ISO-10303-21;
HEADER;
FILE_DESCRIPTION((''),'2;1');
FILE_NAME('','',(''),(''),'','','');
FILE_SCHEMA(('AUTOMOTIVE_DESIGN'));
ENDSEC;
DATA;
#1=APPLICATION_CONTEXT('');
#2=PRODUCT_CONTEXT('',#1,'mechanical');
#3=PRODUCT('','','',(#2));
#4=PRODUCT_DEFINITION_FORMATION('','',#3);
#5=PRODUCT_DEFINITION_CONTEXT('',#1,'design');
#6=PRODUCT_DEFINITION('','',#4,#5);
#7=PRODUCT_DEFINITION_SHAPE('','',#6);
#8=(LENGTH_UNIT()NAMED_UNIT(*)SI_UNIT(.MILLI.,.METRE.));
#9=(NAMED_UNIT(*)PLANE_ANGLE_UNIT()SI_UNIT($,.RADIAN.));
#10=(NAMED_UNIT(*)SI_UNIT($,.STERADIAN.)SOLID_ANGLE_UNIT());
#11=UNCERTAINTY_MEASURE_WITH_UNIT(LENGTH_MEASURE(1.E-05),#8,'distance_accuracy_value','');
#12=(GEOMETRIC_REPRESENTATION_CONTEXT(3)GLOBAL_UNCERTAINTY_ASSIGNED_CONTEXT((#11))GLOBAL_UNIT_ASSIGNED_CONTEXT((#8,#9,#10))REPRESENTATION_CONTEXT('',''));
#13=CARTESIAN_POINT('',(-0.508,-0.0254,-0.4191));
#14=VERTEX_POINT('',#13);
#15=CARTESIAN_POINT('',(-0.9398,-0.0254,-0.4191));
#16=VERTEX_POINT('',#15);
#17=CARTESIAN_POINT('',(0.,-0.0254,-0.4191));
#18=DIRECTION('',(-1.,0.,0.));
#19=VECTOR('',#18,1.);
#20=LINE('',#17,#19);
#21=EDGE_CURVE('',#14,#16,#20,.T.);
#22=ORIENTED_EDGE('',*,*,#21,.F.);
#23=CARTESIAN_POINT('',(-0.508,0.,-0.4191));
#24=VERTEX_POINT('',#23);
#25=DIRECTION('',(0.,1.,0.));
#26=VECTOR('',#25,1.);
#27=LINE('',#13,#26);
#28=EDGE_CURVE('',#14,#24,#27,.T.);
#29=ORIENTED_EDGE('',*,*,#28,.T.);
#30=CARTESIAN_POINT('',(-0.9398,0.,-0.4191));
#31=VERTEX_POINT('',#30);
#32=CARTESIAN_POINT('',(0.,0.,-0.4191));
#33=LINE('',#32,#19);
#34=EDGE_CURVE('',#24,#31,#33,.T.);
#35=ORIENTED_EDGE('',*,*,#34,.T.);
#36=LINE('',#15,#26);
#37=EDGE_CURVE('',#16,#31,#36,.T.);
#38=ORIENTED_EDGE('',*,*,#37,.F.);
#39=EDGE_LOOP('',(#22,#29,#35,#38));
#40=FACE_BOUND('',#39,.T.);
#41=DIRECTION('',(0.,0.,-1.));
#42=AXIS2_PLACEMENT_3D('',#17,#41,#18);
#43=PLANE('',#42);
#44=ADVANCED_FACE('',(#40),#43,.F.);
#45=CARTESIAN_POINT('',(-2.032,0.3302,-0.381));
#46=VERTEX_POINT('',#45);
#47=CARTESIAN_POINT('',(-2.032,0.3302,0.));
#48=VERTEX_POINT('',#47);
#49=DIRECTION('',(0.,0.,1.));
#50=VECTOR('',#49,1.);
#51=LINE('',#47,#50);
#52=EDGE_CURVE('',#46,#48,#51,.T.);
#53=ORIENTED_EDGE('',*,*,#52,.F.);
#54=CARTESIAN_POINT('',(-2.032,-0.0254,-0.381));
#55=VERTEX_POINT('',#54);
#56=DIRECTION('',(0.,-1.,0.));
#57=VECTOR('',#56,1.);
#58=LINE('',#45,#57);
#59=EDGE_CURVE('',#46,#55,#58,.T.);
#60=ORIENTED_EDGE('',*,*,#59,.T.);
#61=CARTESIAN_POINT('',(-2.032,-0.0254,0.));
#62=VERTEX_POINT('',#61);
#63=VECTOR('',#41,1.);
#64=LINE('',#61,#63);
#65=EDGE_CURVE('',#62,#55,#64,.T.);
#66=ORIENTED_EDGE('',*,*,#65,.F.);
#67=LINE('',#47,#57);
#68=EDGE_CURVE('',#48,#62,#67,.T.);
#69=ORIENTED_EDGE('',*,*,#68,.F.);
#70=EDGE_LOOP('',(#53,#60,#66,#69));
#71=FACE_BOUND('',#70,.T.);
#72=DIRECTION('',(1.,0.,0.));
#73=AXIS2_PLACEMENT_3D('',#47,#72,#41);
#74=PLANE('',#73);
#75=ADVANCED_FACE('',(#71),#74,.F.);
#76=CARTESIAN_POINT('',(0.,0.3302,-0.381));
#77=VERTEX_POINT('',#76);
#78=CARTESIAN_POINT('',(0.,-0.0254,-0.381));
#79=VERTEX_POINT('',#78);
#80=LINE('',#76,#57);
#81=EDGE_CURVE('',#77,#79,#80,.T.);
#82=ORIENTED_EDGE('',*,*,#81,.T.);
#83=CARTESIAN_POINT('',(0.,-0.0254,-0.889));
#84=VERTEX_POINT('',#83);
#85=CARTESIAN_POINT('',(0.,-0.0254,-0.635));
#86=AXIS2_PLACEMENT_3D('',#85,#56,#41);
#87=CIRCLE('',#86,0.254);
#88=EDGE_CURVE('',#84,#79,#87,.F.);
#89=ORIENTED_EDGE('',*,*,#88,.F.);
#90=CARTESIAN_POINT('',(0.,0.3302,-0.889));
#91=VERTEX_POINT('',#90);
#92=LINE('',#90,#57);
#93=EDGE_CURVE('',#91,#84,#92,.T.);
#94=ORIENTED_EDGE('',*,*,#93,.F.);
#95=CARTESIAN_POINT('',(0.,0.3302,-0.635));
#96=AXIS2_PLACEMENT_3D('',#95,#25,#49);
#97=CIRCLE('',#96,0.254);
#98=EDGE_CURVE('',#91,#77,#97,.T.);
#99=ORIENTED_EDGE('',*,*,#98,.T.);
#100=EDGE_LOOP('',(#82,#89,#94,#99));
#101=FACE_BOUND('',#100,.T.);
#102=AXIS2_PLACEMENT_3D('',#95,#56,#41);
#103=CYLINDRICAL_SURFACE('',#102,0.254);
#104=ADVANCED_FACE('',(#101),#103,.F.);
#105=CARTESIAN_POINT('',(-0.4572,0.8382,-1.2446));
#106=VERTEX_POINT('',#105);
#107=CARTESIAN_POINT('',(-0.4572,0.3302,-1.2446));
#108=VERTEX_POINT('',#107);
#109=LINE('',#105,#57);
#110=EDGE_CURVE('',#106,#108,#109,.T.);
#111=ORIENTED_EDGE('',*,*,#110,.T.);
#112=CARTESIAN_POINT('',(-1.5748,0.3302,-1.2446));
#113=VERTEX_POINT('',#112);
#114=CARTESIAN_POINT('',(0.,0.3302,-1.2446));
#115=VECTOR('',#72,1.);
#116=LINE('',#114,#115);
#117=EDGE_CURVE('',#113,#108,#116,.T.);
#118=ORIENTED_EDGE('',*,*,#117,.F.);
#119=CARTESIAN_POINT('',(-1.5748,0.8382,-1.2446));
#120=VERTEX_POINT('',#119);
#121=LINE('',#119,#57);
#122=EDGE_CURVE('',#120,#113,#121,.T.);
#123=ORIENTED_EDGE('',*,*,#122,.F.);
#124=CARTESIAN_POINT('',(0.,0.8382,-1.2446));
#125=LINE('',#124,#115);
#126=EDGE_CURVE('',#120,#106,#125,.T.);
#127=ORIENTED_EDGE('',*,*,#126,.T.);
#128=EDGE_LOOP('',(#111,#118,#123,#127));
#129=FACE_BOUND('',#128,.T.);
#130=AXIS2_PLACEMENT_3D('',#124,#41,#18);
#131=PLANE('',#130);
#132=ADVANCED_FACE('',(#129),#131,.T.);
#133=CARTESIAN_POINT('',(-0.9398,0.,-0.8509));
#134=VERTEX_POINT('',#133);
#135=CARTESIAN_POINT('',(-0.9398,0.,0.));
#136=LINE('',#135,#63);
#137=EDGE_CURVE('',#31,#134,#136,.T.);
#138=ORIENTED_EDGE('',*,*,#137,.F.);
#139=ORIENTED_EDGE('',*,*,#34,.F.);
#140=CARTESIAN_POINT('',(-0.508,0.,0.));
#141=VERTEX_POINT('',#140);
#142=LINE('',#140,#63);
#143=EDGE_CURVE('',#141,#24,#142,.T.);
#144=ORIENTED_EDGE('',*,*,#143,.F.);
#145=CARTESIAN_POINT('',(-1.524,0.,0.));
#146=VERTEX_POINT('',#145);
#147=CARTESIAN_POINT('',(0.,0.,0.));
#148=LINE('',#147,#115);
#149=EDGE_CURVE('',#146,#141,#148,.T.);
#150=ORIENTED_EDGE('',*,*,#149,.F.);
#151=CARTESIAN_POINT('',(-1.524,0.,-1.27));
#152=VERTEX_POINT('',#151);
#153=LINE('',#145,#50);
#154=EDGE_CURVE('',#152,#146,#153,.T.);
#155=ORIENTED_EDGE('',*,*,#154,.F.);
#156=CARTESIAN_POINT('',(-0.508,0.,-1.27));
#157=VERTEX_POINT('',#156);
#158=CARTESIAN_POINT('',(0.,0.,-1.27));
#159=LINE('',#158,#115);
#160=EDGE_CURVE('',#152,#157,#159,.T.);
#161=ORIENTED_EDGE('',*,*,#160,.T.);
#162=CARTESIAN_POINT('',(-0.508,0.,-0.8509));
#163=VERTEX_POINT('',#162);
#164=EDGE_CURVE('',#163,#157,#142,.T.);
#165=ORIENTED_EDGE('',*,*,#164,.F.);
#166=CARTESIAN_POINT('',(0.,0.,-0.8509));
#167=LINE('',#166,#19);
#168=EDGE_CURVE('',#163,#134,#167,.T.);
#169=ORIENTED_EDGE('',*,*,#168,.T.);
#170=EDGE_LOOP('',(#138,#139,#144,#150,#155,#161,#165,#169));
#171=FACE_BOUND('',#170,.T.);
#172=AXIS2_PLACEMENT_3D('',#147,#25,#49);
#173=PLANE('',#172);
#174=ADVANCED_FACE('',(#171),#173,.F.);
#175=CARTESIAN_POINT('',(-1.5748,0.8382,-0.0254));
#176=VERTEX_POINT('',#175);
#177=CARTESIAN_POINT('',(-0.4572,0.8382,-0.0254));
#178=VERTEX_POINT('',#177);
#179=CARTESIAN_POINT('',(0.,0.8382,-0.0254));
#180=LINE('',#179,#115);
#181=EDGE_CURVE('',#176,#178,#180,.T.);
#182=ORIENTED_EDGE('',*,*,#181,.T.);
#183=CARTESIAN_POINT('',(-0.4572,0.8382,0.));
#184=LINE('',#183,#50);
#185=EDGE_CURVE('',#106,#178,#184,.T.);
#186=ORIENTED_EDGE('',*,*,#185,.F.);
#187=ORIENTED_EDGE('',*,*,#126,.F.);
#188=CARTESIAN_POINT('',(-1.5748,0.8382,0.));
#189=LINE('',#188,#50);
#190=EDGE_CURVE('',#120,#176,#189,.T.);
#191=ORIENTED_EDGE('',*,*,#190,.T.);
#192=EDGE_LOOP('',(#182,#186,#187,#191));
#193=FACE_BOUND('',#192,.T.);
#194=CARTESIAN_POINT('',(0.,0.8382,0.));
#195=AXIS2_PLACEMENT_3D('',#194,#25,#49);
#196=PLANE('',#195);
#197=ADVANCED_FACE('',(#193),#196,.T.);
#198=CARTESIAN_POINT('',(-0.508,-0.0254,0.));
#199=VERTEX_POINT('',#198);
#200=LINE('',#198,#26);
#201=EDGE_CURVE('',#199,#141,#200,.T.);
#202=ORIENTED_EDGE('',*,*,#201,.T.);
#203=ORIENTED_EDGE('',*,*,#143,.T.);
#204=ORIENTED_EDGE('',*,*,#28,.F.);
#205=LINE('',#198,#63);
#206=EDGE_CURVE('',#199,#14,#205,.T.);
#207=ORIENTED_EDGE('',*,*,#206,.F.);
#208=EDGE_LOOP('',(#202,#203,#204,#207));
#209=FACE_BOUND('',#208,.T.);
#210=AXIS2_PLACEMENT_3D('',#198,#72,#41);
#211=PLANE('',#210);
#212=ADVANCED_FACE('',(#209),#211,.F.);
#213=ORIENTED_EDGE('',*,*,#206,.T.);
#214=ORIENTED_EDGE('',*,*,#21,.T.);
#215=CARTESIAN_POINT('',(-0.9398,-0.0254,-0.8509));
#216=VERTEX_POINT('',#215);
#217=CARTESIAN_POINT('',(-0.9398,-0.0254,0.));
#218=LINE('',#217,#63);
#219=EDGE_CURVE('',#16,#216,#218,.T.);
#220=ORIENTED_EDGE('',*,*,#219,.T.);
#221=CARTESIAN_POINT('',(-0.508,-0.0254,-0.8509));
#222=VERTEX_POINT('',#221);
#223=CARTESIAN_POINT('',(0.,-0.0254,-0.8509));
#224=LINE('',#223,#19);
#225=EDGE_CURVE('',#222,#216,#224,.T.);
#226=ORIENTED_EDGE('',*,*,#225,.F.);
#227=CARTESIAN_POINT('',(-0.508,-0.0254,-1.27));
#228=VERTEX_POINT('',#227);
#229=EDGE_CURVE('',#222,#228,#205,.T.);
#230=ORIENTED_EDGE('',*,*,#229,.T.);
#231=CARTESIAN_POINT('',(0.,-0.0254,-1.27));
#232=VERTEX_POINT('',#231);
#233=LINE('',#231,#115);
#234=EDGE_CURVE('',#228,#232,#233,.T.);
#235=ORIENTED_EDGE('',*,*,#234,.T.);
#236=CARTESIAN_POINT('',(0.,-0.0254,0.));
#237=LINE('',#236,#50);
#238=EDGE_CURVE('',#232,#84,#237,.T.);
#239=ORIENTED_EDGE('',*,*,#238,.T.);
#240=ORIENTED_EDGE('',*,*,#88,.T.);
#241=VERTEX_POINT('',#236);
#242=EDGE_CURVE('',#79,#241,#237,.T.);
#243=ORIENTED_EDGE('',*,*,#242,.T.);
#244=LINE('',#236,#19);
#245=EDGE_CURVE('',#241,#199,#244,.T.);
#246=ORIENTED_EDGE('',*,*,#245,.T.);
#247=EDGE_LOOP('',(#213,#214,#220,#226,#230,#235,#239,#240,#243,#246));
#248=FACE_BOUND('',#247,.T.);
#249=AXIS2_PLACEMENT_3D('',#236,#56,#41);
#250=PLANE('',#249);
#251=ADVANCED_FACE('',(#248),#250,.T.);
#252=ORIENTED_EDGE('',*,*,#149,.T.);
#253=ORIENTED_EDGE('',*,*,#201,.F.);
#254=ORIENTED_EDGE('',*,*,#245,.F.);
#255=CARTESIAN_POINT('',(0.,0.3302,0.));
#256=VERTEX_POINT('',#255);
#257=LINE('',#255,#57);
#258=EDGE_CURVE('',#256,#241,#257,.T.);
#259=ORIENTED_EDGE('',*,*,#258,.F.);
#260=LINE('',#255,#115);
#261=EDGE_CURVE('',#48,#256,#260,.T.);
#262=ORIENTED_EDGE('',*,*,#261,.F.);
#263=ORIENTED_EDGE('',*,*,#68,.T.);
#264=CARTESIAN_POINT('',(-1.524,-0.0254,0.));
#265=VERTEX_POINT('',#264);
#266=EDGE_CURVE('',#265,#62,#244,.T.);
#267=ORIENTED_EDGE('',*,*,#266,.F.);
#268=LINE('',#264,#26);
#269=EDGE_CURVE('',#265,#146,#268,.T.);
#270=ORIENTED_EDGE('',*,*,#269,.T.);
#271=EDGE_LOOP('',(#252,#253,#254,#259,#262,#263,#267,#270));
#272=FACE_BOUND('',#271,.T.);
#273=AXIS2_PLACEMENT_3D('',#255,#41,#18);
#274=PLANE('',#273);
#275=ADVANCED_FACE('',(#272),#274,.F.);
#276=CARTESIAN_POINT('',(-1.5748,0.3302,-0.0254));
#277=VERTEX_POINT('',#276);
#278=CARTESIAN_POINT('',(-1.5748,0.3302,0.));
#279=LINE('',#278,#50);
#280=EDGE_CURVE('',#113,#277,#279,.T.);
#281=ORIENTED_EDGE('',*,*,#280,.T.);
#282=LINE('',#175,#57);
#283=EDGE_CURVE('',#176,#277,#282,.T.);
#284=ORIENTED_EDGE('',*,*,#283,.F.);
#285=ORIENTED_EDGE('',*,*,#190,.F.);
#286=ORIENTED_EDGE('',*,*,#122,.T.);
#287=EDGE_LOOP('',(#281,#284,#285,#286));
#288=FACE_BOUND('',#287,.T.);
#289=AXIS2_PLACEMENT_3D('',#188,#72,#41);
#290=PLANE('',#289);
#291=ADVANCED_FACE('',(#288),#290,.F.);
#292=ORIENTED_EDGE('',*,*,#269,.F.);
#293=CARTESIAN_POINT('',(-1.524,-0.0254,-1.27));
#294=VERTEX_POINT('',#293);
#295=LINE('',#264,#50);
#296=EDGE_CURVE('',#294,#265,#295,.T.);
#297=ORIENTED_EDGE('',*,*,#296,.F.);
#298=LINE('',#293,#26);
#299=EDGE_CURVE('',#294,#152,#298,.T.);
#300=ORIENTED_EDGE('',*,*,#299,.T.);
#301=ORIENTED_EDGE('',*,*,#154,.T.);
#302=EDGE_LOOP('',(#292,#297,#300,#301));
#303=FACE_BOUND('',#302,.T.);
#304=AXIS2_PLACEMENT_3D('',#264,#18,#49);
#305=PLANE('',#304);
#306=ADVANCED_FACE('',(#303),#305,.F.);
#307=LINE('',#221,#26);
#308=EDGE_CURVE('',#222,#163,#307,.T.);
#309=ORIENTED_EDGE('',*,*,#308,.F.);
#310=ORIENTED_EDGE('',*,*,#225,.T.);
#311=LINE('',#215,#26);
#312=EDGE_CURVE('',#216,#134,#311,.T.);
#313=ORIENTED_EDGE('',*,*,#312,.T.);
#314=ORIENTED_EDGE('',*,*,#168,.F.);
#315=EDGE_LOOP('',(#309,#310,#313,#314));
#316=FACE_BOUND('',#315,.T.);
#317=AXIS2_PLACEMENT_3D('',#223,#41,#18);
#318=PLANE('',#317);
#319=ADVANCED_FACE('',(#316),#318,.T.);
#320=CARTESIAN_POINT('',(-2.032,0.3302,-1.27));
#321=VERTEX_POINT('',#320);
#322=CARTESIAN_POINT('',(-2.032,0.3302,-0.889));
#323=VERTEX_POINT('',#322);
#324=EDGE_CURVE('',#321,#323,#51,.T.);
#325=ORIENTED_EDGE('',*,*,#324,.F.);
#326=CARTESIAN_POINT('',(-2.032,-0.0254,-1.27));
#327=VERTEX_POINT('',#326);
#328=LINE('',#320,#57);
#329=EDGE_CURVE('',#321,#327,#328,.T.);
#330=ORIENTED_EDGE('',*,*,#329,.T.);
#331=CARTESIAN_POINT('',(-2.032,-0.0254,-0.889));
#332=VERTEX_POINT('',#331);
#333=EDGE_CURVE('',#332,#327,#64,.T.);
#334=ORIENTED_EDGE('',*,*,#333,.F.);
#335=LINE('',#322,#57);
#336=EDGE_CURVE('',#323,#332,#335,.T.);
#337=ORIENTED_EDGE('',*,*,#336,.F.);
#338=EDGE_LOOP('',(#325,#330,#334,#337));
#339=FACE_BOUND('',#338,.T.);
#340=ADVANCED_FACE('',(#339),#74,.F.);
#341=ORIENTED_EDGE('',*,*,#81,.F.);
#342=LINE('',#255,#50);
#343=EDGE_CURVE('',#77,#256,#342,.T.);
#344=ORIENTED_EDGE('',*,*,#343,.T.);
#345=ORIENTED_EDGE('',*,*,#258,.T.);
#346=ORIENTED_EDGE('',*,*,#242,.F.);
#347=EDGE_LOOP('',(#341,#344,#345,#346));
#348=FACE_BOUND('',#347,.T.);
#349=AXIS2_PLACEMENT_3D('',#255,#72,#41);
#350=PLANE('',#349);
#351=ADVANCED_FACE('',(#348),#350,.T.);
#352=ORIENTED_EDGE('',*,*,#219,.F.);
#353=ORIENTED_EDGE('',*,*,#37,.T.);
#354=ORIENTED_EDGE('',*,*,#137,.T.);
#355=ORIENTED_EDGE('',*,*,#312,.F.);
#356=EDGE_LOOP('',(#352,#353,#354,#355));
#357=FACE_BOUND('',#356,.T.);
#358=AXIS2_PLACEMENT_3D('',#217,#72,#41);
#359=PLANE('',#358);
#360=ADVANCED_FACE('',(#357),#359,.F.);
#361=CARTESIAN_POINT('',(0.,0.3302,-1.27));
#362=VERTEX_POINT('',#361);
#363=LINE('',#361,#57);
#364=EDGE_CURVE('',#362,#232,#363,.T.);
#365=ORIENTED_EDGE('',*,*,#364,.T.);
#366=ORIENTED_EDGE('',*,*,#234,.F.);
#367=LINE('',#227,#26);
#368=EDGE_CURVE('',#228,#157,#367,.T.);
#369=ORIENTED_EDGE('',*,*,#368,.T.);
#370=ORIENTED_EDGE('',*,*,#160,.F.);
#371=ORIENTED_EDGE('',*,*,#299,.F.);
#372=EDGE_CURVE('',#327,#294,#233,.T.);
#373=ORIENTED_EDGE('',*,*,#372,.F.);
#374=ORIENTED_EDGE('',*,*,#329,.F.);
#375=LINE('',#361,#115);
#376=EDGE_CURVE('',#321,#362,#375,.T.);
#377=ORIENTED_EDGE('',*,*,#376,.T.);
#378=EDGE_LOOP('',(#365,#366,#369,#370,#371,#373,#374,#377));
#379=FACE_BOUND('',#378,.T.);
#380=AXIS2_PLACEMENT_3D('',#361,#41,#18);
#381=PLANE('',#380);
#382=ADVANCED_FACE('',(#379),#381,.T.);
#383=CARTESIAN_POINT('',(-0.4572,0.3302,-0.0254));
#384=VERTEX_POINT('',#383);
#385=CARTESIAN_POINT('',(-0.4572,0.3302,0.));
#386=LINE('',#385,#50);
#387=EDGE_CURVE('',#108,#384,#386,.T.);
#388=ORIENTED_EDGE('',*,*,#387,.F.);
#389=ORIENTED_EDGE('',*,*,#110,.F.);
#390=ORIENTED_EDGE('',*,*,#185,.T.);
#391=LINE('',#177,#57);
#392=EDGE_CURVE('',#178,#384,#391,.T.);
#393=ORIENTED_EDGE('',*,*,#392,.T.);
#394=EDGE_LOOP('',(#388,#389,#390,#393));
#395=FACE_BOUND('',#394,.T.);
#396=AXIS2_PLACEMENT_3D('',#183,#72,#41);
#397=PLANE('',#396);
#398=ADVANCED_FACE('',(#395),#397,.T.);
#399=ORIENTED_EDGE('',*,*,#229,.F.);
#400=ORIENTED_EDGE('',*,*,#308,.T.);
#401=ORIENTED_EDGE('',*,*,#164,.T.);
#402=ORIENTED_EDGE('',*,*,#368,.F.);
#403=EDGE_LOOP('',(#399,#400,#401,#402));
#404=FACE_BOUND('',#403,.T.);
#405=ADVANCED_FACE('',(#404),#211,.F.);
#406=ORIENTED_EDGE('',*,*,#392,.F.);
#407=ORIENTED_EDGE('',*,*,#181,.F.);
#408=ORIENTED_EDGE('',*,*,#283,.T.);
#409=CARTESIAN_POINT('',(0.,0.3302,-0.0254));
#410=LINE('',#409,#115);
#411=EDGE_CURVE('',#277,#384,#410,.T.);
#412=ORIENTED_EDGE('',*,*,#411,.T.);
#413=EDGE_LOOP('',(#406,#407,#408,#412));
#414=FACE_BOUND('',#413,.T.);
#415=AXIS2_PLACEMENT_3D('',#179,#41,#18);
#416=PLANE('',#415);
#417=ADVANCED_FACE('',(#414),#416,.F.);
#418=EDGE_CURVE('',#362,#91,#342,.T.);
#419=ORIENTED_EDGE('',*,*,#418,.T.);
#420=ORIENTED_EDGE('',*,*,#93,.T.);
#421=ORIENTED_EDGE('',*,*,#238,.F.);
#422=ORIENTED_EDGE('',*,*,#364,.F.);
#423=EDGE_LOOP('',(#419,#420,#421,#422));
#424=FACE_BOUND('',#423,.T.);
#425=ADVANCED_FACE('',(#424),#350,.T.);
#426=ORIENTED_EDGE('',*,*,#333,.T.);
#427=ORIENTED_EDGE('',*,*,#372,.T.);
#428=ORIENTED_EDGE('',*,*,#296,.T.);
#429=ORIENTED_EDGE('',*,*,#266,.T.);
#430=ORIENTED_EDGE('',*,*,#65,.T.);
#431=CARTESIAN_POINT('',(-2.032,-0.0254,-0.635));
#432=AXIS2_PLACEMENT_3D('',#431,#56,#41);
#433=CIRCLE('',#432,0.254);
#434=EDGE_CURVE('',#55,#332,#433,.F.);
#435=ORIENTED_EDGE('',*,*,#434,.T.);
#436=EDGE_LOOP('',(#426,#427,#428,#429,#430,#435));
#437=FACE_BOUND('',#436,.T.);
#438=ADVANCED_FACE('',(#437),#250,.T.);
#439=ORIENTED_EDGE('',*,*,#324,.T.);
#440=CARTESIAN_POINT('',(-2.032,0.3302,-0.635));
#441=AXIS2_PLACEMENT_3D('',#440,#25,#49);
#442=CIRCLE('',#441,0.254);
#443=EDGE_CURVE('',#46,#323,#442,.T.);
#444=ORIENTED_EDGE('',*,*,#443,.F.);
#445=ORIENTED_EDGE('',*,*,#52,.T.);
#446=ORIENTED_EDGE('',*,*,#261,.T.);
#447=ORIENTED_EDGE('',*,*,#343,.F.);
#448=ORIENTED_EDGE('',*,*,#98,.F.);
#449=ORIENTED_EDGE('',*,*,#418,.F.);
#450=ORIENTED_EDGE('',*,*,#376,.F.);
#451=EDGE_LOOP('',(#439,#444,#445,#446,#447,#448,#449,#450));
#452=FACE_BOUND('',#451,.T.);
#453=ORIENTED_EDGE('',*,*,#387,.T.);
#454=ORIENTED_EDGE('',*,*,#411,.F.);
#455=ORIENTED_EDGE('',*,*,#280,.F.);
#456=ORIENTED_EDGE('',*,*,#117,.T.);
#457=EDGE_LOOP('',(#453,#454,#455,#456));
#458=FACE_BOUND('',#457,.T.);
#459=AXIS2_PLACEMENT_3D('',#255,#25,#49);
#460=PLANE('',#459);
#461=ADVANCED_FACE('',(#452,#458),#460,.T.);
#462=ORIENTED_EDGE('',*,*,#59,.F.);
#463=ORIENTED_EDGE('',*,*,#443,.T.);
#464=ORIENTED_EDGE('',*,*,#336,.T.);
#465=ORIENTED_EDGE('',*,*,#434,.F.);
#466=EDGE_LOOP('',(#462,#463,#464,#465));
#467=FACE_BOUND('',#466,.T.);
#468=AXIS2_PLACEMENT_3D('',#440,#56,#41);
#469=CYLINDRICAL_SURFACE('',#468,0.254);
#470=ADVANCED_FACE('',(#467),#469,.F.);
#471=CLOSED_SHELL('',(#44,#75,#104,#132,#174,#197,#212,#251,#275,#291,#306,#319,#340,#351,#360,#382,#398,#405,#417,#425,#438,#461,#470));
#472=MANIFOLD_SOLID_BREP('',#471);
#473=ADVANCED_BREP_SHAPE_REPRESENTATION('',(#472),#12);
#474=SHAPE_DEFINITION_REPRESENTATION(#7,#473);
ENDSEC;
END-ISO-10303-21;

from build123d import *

# Parameters (mm, degrees)
BOSS_EXTRUDE1_DEPTH = 0.3302
BOSS_EXTRUDE2_START = 0.0254
SKETCH2_W           = 0.4318
SKETCH2_H           = 0.4318
BOSS_EXTRUDE2_DEPTH = 0.0254
SKETCH3_W           = 1.1176
SKETCH3_H           = 1.2192
BOSS_EXTRUDE4_DEPTH = 0.508
SKETCH4_W           = 0.3302
SKETCH4_H           = 0.3302
BOSS_EXTRUDE3_DEPTH = 0.3302


with BuildPart() as part:
    # Sketch1 → Boss-Extrude1 (new body)
    with BuildSketch(Plane(origin=(0, 0, 0), x_dir=(1, 0, 0), z_dir=(0, 1, 0))):
        with BuildLine():
            Line((0, 1.27), (-2.032, 1.27))
            Line((-2.032, 1.27), (-2.032, 0.889))
            ThreePointArc((-2.032, 0.889), (-1.852394878, 0.814605122), (-1.778, 0.635))
            ThreePointArc((-1.778, 0.635), (-1.852394878, 0.455394878), (-2.032, 0.381))
            Line((-2.032, 0.381), (-2.032, 0))
            Line((-2.032, 0), (0, 0))
            Line((0, 0), (0, 0.381))
            ThreePointArc((0, 0.381), (-0.254, 0.635), (0, 0.889))
            Line((0, 0.889), (0, 1.27))
        make_face()
    extrude(amount=BOSS_EXTRUDE1_DEPTH)

    # Sketch2 → Boss-Extrude2 (add)
    with BuildSketch(Plane.XZ.offset(BOSS_EXTRUDE2_START)):
        with BuildLine():
            Line((-2.032, -1.27), (-1.524, -1.27))
            Line((-1.524, -1.27), (-1.524, 0))
            Line((-1.524, 0), (-2.032, 0))
            Line((-2.032, 0), (-2.032, -0.381))
            ThreePointArc((-2.032, -0.381), (-1.778, -0.635), (-2.032, -0.889))
            Line((-2.032, -0.889), (-2.032, -1.27))
        make_face()
        with Locations((-0.7239, -0.635)):
            Rectangle(SKETCH2_W, SKETCH2_H)
        with BuildLine():
            Line((-0.508, -0.8509), (-0.508, -1.27))
            Line((-0.508, -1.27), (0, -1.27))
            Line((0, -1.27), (0, -0.889))
            ThreePointArc((0, -0.889), (-0.254, -0.635), (0, -0.381))
            Line((0, -0.381), (0, 0))
            Line((0, 0), (-0.508, 0))
            Line((-0.508, 0), (-0.508, -0.4191))
            Line((-0.508, -0.4191), (-0.508, -0.8509))
        make_face()
    extrude(amount=-BOSS_EXTRUDE2_DEPTH)

    # Sketch3 → Boss-Extrude4 (add)
    with BuildSketch(Plane(origin=(0, 0.3302, 0), x_dir=(1, 0, 0), z_dir=(0, 1, 0))):
        with Locations((-1.016, 0.635)):
            Rectangle(SKETCH3_W, SKETCH3_H)
    extrude(amount=BOSS_EXTRUDE4_DEPTH)

    # Sketch4 → Boss-Extrude3 (add)
    with BuildSketch(Plane(origin=(0, 0.3302, 0), x_dir=(1, 0, 0), z_dir=(0, 1, 0))):
        with Locations((-0.8001, 0.635)):
            Rectangle(SKETCH4_W, SKETCH4_H)
    extrude(amount=BOSS_EXTRUDE3_DEPTH)


solid = part.part
